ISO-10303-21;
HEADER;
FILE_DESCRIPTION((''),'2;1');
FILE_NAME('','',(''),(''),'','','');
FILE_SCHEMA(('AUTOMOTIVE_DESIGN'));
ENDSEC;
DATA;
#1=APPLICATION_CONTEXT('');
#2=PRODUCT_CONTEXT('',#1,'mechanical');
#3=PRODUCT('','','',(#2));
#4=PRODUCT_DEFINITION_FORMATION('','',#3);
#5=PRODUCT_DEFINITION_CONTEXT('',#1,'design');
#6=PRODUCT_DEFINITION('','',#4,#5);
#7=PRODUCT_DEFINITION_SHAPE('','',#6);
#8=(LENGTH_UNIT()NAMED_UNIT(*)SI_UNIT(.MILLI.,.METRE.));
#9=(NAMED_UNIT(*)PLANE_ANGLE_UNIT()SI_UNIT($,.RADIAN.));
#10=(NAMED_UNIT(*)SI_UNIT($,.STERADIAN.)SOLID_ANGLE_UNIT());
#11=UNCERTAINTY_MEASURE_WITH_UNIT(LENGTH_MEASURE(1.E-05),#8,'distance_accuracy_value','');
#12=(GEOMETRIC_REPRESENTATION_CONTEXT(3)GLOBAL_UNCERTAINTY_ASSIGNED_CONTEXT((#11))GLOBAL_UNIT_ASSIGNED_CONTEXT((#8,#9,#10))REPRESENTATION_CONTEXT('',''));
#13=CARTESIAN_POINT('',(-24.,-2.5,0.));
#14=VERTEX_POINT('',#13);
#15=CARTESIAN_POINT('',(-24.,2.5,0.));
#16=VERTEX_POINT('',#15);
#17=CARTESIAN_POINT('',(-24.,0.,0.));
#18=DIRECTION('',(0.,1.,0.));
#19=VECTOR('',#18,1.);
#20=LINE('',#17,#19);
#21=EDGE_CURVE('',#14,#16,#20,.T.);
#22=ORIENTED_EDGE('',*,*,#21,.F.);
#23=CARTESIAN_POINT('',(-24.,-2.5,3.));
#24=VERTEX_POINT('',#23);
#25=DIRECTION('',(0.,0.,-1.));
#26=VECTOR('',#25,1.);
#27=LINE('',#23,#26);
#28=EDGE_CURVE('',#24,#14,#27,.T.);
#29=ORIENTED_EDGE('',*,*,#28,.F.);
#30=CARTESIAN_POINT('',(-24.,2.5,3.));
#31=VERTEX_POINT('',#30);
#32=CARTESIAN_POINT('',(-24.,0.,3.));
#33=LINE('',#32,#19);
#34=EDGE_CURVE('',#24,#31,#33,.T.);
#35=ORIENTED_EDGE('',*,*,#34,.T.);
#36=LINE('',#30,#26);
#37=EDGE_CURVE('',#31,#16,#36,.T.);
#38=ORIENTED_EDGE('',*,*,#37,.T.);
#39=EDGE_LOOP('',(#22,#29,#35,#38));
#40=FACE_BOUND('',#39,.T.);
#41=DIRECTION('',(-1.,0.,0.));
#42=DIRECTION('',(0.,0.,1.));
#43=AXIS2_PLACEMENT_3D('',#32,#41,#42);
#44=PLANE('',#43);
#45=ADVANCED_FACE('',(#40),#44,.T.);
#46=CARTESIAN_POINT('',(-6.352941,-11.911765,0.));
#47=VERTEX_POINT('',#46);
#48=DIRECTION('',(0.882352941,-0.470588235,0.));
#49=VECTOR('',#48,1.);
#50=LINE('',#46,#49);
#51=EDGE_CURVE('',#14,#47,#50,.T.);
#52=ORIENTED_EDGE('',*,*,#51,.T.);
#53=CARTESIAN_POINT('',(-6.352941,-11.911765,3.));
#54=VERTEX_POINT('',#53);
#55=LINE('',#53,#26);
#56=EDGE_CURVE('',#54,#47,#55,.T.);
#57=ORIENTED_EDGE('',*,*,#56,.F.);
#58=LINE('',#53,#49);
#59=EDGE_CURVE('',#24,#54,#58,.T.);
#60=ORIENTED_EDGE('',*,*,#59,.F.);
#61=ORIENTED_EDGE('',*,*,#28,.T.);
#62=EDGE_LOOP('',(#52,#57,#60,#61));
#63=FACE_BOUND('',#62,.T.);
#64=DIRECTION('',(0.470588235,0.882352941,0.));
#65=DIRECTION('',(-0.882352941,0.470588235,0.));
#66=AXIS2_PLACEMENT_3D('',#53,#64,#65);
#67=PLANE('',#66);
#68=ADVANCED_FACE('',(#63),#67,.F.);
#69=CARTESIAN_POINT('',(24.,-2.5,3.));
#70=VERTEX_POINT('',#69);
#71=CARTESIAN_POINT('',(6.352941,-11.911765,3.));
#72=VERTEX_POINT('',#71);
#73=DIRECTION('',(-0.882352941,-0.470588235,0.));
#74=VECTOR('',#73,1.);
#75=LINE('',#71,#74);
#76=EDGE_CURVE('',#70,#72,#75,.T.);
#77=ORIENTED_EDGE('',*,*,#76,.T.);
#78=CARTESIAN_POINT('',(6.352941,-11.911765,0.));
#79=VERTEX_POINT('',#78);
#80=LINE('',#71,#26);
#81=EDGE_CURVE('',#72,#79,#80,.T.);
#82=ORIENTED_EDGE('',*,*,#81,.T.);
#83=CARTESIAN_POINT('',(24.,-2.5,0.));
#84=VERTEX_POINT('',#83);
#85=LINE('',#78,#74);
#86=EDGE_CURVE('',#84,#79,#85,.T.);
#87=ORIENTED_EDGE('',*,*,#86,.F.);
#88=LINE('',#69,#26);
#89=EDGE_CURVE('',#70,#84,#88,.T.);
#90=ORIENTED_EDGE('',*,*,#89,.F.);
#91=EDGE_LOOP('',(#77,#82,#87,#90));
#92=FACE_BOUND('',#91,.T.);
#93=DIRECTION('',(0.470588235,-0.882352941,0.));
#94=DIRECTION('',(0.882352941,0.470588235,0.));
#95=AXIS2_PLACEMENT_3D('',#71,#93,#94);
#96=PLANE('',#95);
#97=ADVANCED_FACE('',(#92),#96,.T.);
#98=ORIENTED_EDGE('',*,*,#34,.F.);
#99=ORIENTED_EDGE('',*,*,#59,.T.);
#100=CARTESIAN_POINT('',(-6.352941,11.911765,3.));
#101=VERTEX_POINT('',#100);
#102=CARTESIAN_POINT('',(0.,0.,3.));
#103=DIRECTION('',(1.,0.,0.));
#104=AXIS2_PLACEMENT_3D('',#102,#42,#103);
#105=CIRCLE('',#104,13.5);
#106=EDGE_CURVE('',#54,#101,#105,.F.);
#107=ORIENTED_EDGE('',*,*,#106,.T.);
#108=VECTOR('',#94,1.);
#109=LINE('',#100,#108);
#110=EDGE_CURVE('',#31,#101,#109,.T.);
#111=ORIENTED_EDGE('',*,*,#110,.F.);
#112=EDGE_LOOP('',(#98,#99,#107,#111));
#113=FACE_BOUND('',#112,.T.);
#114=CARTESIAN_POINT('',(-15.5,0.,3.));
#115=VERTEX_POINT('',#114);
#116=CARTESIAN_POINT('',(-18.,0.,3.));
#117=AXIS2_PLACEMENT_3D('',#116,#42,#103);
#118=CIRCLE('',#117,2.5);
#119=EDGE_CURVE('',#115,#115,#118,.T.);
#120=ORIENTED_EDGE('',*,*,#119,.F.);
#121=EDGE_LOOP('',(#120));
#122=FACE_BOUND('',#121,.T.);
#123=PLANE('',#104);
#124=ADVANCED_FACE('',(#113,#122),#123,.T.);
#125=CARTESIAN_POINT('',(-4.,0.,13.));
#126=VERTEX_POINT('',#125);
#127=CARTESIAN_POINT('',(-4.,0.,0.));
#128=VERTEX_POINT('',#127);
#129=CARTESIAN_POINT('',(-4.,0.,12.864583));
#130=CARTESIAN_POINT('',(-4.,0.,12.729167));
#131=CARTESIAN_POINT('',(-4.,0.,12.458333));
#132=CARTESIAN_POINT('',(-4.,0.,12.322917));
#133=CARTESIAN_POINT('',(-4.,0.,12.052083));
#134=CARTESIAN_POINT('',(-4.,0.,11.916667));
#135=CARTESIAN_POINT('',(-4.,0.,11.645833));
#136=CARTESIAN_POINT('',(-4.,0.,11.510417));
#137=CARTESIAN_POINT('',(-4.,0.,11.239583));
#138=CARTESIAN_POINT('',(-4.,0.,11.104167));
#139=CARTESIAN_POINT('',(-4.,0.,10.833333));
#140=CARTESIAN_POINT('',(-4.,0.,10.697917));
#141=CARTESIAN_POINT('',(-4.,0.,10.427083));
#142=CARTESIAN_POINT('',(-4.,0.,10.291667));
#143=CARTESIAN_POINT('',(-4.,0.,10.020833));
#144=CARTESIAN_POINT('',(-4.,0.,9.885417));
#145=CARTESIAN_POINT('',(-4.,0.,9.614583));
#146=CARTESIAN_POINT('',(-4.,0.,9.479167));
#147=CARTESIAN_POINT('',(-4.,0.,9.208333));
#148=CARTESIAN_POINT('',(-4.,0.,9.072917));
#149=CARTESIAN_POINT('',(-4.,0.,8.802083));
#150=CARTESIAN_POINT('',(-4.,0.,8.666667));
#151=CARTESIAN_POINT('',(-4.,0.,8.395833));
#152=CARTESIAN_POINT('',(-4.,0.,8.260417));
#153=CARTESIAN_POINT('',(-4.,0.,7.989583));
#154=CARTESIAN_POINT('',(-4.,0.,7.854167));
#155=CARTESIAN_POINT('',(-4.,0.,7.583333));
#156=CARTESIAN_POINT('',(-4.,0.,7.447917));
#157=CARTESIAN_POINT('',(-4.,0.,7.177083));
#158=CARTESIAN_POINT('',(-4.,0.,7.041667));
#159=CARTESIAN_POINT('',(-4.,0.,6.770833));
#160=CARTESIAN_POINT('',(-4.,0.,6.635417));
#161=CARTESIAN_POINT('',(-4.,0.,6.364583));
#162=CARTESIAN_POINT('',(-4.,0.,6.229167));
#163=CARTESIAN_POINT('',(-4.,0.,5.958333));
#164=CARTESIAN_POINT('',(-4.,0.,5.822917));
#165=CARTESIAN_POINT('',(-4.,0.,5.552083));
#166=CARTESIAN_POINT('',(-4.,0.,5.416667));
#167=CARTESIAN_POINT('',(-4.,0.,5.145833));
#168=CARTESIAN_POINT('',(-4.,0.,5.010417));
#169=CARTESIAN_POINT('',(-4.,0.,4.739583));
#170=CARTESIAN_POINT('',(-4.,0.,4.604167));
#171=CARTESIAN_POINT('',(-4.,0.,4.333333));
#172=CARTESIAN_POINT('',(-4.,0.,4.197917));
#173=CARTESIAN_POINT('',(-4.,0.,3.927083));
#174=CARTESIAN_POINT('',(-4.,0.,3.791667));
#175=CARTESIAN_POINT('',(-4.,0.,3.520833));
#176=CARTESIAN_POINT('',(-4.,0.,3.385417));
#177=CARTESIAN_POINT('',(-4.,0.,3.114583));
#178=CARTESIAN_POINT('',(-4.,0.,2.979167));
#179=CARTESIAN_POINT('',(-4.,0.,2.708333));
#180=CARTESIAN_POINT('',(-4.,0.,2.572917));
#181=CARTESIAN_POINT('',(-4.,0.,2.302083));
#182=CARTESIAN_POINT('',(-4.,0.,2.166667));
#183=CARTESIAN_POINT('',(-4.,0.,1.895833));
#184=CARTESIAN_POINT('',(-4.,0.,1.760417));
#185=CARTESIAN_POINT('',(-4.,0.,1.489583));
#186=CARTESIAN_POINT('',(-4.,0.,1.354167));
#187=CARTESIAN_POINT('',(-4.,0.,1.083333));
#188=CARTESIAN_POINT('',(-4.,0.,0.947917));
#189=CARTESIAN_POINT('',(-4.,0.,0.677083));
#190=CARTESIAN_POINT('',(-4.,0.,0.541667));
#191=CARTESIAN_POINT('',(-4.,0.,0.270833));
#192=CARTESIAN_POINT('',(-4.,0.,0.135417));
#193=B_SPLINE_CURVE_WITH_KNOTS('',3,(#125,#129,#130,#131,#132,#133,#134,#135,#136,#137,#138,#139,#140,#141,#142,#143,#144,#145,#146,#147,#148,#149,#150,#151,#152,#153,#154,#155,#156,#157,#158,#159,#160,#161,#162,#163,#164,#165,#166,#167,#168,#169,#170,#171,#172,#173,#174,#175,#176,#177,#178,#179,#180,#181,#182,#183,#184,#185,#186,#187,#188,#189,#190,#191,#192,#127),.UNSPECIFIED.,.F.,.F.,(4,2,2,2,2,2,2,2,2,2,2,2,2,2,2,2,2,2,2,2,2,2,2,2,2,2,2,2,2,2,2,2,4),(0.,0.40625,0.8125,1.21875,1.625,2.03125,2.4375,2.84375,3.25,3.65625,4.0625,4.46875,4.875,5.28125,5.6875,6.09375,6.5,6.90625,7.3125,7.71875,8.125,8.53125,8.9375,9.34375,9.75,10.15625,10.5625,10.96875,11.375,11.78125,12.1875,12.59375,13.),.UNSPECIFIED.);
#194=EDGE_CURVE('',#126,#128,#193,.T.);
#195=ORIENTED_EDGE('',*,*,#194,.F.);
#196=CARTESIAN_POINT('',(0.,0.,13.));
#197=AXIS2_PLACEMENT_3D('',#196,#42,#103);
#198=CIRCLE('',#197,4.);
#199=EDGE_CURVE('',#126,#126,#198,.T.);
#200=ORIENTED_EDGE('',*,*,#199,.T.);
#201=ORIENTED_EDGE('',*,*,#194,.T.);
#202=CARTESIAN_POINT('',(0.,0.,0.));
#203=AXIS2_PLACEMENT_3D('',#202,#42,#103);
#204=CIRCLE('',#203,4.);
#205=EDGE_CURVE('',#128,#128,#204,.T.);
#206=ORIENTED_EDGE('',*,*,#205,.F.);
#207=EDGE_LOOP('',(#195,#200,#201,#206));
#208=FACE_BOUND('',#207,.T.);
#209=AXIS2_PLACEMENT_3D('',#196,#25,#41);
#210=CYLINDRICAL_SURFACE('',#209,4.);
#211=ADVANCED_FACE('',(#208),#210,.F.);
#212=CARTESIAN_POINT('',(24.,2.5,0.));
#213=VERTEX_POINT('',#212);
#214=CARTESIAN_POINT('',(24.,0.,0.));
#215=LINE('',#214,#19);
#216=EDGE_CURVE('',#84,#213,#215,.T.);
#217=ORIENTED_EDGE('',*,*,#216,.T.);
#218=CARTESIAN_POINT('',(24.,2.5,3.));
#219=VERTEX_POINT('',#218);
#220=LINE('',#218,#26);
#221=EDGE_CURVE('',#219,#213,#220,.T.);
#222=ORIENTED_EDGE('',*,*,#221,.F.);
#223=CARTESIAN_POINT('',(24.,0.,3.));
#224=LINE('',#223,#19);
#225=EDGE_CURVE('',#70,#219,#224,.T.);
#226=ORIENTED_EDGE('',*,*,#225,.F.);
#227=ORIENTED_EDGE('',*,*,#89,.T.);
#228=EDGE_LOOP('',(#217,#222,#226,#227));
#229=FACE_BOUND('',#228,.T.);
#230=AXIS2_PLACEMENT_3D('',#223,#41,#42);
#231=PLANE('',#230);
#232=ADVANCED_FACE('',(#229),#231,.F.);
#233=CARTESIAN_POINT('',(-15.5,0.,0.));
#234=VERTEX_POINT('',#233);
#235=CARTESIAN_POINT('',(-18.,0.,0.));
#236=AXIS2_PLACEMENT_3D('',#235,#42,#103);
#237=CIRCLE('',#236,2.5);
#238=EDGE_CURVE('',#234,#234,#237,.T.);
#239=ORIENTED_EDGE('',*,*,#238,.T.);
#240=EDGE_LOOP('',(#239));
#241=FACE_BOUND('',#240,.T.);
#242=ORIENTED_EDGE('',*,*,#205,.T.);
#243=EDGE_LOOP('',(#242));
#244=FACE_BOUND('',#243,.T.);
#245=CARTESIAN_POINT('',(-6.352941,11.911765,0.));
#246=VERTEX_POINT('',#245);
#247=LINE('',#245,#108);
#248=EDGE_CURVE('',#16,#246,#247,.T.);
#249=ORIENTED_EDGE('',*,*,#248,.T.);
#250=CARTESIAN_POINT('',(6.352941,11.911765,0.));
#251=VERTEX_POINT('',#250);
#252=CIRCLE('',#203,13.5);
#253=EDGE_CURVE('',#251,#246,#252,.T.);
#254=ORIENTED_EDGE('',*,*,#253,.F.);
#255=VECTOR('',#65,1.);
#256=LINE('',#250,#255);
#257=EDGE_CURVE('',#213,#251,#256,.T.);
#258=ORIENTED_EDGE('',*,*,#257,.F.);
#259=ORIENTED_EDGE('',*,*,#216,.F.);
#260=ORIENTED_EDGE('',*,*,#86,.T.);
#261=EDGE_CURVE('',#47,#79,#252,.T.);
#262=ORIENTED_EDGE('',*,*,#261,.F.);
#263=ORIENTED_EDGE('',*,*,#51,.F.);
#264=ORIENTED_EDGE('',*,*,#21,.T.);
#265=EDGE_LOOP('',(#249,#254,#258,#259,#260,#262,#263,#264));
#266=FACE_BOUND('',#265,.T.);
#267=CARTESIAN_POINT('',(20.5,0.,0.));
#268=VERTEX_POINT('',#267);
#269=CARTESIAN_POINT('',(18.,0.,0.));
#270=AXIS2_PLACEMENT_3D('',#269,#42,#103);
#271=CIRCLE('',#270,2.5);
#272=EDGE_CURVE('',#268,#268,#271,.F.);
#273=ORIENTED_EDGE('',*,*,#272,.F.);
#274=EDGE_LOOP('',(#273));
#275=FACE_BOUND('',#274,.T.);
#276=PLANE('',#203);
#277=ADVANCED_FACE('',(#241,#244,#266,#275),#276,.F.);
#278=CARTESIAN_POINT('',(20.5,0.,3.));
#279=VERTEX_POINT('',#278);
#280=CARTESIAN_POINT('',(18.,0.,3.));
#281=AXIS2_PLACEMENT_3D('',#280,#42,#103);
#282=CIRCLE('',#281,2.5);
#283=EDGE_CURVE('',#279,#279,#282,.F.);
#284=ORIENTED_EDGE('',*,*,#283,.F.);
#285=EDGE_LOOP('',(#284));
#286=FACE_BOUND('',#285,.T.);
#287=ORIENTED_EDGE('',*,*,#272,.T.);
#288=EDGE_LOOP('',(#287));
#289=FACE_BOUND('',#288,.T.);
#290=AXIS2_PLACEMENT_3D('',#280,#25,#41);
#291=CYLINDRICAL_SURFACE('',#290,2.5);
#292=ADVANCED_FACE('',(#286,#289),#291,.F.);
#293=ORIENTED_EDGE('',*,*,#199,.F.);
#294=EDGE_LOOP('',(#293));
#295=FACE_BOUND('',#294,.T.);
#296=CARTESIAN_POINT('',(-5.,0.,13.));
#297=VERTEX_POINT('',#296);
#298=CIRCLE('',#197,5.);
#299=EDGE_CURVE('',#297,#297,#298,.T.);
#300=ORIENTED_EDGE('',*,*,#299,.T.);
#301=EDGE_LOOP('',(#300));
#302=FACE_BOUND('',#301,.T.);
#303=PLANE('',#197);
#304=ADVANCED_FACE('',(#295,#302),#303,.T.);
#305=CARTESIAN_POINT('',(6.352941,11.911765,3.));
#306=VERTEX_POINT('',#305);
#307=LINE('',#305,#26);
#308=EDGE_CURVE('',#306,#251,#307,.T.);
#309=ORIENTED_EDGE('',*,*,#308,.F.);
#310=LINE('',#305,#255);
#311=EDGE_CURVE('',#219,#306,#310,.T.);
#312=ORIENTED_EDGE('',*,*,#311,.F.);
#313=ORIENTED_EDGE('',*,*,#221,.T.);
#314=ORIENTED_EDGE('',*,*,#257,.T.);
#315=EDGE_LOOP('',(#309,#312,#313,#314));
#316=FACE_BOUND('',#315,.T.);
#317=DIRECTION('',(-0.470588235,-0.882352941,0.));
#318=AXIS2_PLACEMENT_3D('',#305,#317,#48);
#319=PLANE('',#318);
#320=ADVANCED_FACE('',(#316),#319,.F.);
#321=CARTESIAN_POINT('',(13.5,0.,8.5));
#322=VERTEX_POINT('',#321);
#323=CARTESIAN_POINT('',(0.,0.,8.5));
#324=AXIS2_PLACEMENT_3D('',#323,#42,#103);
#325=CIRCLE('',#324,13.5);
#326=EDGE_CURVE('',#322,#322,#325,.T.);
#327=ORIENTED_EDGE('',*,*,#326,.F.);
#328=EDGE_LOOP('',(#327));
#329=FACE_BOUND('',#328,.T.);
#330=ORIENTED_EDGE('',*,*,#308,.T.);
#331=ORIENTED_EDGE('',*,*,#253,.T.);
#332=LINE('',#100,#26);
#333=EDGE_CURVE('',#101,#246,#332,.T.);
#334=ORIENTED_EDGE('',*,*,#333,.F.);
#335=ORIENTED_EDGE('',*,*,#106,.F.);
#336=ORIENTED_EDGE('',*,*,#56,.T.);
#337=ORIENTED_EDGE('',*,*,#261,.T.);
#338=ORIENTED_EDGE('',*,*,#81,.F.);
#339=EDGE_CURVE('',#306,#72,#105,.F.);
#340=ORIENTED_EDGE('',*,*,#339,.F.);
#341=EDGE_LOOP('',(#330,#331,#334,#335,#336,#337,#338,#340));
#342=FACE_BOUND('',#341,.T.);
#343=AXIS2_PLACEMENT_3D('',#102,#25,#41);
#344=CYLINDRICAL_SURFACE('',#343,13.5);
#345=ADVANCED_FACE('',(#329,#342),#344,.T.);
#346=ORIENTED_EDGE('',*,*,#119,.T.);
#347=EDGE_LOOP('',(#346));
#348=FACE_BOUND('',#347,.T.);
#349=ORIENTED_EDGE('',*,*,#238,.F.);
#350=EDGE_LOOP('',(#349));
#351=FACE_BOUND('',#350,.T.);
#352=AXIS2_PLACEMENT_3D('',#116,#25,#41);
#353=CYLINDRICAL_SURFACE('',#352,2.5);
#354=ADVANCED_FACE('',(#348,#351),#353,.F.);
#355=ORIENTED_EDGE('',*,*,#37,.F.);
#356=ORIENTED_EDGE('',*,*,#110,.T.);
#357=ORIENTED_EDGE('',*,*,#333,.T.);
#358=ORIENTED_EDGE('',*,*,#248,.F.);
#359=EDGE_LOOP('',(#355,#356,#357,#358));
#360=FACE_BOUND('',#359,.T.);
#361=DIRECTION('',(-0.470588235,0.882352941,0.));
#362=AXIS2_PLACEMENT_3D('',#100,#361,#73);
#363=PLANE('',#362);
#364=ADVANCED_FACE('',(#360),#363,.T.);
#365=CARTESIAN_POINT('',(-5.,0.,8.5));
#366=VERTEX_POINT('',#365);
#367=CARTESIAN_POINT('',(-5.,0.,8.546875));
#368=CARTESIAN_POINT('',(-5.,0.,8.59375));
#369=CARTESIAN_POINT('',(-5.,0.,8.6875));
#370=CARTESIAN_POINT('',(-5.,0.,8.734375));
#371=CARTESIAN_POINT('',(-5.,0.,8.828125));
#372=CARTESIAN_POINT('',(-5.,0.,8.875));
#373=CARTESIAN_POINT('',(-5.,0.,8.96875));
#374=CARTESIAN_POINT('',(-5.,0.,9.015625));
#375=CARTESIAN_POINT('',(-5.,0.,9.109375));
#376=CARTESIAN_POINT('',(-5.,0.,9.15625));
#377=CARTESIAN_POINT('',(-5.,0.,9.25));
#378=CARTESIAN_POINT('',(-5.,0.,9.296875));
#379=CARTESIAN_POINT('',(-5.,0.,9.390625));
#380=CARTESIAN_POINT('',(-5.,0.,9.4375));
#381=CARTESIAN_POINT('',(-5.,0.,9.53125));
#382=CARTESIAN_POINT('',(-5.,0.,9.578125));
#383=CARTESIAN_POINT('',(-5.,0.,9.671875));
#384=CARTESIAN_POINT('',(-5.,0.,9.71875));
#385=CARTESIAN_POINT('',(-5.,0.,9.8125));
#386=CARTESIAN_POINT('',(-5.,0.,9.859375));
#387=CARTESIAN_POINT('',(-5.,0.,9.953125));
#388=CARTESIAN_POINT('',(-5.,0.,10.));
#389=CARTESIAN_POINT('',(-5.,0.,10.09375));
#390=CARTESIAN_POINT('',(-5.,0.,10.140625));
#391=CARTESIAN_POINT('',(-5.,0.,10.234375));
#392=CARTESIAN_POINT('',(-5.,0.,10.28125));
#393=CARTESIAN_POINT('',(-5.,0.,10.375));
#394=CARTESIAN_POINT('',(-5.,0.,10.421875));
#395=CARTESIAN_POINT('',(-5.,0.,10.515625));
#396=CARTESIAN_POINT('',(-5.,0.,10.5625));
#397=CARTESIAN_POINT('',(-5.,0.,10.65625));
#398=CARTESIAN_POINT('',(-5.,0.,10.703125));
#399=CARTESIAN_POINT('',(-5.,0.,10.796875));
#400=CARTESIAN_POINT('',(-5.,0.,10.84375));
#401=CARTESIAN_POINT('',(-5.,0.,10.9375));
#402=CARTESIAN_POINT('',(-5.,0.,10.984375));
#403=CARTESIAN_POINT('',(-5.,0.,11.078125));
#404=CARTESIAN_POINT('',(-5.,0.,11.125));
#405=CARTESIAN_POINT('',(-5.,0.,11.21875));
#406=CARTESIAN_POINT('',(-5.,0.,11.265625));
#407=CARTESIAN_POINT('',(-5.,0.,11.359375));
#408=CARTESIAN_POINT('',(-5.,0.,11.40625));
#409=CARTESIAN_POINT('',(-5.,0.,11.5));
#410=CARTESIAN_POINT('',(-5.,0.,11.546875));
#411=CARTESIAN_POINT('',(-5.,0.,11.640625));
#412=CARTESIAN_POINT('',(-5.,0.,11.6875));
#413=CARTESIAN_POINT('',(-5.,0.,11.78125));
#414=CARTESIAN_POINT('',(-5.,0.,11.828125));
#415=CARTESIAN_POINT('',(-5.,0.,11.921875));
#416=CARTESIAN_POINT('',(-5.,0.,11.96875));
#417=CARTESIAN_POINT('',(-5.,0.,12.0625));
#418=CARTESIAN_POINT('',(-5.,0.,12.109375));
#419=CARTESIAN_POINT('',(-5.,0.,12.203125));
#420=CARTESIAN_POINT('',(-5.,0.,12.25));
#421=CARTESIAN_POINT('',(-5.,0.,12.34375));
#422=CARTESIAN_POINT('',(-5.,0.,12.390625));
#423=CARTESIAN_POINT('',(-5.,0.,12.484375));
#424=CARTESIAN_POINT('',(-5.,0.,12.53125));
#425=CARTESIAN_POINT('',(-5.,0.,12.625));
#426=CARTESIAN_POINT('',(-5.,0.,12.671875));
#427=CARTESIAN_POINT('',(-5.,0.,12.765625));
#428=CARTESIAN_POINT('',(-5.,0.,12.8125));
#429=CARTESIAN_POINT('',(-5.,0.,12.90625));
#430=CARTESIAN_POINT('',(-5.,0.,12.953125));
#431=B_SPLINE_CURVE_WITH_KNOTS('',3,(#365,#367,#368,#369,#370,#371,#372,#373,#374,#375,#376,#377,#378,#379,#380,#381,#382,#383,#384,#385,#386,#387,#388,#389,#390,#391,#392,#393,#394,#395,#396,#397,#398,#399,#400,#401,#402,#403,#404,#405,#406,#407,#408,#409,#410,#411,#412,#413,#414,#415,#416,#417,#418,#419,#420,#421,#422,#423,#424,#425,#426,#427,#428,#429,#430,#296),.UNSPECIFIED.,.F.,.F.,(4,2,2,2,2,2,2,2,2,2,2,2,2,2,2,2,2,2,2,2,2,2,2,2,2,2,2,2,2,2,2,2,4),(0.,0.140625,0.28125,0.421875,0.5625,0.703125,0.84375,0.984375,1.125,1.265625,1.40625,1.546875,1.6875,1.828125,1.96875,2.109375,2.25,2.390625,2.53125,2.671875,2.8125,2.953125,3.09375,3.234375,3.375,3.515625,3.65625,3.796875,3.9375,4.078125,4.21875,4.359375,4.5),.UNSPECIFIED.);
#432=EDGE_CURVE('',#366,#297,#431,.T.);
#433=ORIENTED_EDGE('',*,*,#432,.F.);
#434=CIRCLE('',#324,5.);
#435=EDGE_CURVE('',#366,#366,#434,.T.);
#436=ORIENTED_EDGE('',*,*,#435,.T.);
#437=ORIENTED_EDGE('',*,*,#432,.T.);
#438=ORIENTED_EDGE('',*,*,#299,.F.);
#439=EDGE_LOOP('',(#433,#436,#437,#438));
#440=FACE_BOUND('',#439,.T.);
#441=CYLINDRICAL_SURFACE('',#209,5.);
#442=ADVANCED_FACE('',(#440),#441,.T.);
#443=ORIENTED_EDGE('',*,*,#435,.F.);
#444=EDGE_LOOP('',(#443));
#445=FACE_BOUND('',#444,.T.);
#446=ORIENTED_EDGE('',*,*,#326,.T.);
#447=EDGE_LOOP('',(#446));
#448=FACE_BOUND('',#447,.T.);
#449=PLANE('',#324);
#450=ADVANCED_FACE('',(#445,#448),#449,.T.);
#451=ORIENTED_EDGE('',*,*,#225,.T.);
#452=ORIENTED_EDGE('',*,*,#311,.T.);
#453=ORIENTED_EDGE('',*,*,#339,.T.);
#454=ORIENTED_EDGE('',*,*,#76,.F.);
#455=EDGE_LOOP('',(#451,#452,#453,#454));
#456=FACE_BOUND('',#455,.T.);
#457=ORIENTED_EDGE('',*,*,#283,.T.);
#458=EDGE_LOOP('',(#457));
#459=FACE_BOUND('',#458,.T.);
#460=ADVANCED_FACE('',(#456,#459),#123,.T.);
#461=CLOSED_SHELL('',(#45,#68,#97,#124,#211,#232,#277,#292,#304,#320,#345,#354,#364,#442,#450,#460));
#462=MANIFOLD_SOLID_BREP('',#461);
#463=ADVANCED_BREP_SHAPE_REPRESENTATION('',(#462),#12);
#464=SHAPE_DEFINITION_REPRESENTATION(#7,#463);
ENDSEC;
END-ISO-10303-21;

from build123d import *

# Parameters (mm, degrees)
SKETCH_1_R      = 2.5
SKETCH_1_R_2    = 5
EXTRUDE_1_DEPTH = 3
SKETCH_1_3_R    = 5
EXTRUDE_2_DEPTH = 8.5
SKETCH_1_4_R    = 5
SKETCH_1_4_R_2  = 4
EXTRUDE_3_DEPTH = 13


with BuildPart() as part:
    # 草图1 → 凸台-拉伸1 (new body)
    with BuildSketch(Plane.XY):
        with BuildLine():
            Line((-24, 2.5), (-24, -2.5))
            Line((-24, -2.5), (-6.352941176, -11.911764706))
            ThreePointArc((-6.352941176, -11.911764706), (0, -13.5), (6.352941176, -11.911764706))
            Line((6.352941176, -11.911764706), (24, -2.5))
            Line((24, -2.5), (24, 2.5))
            Line((24, 2.5), (6.352941176, 11.911764706))
            ThreePointArc((6.352941176, 11.911764706), (0, 13.5), (-6.352941176, 11.911764706))
            Line((-6.352941176, 11.911764706), (-24, 2.5))
        make_face()
        with Locations((-18, 0)):
            Circle(SKETCH_1_R, mode=Mode.SUBTRACT)
        Circle(SKETCH_1_R_2, mode=Mode.SUBTRACT)
        with Locations((18, 0)):
            Circle(SKETCH_1_R, mode=Mode.SUBTRACT)
    extrude(amount=EXTRUDE_1_DEPTH)

    # 草图1<3> → 凸台-拉伸2 (add)
    with BuildSketch(Plane.XY):
        with BuildLine():
            ThreePointArc((-6.352941176, 11.911764706), (-13.5, 0), (-6.352941176, -11.911764706))
            ThreePointArc((-6.352941176, -11.911764706), (0, -13.5), (6.352941176, -11.911764706))
            ThreePointArc((6.352941176, -11.911764706), (11.576154497, -6.945692698), (13.5, 0))
            ThreePointArc((13.5, 0), (11.576154497, 6.945692698), (6.352941176, 11.911764706))
            ThreePointArc((6.352941176, 11.911764706), (0, 13.5), (-6.352941176, 11.911764706))
        make_face()
        Circle(SKETCH_1_3_R, mode=Mode.SUBTRACT)
    extrude(amount=EXTRUDE_2_DEPTH)

    # 草图1<4> → 凸台-拉伸3 (add)
    with BuildSketch(Plane.XY):
        Circle(SKETCH_1_4_R)
        Circle(SKETCH_1_4_R_2, mode=Mode.SUBTRACT)
    extrude(amount=EXTRUDE_3_DEPTH)


solid = part.part
